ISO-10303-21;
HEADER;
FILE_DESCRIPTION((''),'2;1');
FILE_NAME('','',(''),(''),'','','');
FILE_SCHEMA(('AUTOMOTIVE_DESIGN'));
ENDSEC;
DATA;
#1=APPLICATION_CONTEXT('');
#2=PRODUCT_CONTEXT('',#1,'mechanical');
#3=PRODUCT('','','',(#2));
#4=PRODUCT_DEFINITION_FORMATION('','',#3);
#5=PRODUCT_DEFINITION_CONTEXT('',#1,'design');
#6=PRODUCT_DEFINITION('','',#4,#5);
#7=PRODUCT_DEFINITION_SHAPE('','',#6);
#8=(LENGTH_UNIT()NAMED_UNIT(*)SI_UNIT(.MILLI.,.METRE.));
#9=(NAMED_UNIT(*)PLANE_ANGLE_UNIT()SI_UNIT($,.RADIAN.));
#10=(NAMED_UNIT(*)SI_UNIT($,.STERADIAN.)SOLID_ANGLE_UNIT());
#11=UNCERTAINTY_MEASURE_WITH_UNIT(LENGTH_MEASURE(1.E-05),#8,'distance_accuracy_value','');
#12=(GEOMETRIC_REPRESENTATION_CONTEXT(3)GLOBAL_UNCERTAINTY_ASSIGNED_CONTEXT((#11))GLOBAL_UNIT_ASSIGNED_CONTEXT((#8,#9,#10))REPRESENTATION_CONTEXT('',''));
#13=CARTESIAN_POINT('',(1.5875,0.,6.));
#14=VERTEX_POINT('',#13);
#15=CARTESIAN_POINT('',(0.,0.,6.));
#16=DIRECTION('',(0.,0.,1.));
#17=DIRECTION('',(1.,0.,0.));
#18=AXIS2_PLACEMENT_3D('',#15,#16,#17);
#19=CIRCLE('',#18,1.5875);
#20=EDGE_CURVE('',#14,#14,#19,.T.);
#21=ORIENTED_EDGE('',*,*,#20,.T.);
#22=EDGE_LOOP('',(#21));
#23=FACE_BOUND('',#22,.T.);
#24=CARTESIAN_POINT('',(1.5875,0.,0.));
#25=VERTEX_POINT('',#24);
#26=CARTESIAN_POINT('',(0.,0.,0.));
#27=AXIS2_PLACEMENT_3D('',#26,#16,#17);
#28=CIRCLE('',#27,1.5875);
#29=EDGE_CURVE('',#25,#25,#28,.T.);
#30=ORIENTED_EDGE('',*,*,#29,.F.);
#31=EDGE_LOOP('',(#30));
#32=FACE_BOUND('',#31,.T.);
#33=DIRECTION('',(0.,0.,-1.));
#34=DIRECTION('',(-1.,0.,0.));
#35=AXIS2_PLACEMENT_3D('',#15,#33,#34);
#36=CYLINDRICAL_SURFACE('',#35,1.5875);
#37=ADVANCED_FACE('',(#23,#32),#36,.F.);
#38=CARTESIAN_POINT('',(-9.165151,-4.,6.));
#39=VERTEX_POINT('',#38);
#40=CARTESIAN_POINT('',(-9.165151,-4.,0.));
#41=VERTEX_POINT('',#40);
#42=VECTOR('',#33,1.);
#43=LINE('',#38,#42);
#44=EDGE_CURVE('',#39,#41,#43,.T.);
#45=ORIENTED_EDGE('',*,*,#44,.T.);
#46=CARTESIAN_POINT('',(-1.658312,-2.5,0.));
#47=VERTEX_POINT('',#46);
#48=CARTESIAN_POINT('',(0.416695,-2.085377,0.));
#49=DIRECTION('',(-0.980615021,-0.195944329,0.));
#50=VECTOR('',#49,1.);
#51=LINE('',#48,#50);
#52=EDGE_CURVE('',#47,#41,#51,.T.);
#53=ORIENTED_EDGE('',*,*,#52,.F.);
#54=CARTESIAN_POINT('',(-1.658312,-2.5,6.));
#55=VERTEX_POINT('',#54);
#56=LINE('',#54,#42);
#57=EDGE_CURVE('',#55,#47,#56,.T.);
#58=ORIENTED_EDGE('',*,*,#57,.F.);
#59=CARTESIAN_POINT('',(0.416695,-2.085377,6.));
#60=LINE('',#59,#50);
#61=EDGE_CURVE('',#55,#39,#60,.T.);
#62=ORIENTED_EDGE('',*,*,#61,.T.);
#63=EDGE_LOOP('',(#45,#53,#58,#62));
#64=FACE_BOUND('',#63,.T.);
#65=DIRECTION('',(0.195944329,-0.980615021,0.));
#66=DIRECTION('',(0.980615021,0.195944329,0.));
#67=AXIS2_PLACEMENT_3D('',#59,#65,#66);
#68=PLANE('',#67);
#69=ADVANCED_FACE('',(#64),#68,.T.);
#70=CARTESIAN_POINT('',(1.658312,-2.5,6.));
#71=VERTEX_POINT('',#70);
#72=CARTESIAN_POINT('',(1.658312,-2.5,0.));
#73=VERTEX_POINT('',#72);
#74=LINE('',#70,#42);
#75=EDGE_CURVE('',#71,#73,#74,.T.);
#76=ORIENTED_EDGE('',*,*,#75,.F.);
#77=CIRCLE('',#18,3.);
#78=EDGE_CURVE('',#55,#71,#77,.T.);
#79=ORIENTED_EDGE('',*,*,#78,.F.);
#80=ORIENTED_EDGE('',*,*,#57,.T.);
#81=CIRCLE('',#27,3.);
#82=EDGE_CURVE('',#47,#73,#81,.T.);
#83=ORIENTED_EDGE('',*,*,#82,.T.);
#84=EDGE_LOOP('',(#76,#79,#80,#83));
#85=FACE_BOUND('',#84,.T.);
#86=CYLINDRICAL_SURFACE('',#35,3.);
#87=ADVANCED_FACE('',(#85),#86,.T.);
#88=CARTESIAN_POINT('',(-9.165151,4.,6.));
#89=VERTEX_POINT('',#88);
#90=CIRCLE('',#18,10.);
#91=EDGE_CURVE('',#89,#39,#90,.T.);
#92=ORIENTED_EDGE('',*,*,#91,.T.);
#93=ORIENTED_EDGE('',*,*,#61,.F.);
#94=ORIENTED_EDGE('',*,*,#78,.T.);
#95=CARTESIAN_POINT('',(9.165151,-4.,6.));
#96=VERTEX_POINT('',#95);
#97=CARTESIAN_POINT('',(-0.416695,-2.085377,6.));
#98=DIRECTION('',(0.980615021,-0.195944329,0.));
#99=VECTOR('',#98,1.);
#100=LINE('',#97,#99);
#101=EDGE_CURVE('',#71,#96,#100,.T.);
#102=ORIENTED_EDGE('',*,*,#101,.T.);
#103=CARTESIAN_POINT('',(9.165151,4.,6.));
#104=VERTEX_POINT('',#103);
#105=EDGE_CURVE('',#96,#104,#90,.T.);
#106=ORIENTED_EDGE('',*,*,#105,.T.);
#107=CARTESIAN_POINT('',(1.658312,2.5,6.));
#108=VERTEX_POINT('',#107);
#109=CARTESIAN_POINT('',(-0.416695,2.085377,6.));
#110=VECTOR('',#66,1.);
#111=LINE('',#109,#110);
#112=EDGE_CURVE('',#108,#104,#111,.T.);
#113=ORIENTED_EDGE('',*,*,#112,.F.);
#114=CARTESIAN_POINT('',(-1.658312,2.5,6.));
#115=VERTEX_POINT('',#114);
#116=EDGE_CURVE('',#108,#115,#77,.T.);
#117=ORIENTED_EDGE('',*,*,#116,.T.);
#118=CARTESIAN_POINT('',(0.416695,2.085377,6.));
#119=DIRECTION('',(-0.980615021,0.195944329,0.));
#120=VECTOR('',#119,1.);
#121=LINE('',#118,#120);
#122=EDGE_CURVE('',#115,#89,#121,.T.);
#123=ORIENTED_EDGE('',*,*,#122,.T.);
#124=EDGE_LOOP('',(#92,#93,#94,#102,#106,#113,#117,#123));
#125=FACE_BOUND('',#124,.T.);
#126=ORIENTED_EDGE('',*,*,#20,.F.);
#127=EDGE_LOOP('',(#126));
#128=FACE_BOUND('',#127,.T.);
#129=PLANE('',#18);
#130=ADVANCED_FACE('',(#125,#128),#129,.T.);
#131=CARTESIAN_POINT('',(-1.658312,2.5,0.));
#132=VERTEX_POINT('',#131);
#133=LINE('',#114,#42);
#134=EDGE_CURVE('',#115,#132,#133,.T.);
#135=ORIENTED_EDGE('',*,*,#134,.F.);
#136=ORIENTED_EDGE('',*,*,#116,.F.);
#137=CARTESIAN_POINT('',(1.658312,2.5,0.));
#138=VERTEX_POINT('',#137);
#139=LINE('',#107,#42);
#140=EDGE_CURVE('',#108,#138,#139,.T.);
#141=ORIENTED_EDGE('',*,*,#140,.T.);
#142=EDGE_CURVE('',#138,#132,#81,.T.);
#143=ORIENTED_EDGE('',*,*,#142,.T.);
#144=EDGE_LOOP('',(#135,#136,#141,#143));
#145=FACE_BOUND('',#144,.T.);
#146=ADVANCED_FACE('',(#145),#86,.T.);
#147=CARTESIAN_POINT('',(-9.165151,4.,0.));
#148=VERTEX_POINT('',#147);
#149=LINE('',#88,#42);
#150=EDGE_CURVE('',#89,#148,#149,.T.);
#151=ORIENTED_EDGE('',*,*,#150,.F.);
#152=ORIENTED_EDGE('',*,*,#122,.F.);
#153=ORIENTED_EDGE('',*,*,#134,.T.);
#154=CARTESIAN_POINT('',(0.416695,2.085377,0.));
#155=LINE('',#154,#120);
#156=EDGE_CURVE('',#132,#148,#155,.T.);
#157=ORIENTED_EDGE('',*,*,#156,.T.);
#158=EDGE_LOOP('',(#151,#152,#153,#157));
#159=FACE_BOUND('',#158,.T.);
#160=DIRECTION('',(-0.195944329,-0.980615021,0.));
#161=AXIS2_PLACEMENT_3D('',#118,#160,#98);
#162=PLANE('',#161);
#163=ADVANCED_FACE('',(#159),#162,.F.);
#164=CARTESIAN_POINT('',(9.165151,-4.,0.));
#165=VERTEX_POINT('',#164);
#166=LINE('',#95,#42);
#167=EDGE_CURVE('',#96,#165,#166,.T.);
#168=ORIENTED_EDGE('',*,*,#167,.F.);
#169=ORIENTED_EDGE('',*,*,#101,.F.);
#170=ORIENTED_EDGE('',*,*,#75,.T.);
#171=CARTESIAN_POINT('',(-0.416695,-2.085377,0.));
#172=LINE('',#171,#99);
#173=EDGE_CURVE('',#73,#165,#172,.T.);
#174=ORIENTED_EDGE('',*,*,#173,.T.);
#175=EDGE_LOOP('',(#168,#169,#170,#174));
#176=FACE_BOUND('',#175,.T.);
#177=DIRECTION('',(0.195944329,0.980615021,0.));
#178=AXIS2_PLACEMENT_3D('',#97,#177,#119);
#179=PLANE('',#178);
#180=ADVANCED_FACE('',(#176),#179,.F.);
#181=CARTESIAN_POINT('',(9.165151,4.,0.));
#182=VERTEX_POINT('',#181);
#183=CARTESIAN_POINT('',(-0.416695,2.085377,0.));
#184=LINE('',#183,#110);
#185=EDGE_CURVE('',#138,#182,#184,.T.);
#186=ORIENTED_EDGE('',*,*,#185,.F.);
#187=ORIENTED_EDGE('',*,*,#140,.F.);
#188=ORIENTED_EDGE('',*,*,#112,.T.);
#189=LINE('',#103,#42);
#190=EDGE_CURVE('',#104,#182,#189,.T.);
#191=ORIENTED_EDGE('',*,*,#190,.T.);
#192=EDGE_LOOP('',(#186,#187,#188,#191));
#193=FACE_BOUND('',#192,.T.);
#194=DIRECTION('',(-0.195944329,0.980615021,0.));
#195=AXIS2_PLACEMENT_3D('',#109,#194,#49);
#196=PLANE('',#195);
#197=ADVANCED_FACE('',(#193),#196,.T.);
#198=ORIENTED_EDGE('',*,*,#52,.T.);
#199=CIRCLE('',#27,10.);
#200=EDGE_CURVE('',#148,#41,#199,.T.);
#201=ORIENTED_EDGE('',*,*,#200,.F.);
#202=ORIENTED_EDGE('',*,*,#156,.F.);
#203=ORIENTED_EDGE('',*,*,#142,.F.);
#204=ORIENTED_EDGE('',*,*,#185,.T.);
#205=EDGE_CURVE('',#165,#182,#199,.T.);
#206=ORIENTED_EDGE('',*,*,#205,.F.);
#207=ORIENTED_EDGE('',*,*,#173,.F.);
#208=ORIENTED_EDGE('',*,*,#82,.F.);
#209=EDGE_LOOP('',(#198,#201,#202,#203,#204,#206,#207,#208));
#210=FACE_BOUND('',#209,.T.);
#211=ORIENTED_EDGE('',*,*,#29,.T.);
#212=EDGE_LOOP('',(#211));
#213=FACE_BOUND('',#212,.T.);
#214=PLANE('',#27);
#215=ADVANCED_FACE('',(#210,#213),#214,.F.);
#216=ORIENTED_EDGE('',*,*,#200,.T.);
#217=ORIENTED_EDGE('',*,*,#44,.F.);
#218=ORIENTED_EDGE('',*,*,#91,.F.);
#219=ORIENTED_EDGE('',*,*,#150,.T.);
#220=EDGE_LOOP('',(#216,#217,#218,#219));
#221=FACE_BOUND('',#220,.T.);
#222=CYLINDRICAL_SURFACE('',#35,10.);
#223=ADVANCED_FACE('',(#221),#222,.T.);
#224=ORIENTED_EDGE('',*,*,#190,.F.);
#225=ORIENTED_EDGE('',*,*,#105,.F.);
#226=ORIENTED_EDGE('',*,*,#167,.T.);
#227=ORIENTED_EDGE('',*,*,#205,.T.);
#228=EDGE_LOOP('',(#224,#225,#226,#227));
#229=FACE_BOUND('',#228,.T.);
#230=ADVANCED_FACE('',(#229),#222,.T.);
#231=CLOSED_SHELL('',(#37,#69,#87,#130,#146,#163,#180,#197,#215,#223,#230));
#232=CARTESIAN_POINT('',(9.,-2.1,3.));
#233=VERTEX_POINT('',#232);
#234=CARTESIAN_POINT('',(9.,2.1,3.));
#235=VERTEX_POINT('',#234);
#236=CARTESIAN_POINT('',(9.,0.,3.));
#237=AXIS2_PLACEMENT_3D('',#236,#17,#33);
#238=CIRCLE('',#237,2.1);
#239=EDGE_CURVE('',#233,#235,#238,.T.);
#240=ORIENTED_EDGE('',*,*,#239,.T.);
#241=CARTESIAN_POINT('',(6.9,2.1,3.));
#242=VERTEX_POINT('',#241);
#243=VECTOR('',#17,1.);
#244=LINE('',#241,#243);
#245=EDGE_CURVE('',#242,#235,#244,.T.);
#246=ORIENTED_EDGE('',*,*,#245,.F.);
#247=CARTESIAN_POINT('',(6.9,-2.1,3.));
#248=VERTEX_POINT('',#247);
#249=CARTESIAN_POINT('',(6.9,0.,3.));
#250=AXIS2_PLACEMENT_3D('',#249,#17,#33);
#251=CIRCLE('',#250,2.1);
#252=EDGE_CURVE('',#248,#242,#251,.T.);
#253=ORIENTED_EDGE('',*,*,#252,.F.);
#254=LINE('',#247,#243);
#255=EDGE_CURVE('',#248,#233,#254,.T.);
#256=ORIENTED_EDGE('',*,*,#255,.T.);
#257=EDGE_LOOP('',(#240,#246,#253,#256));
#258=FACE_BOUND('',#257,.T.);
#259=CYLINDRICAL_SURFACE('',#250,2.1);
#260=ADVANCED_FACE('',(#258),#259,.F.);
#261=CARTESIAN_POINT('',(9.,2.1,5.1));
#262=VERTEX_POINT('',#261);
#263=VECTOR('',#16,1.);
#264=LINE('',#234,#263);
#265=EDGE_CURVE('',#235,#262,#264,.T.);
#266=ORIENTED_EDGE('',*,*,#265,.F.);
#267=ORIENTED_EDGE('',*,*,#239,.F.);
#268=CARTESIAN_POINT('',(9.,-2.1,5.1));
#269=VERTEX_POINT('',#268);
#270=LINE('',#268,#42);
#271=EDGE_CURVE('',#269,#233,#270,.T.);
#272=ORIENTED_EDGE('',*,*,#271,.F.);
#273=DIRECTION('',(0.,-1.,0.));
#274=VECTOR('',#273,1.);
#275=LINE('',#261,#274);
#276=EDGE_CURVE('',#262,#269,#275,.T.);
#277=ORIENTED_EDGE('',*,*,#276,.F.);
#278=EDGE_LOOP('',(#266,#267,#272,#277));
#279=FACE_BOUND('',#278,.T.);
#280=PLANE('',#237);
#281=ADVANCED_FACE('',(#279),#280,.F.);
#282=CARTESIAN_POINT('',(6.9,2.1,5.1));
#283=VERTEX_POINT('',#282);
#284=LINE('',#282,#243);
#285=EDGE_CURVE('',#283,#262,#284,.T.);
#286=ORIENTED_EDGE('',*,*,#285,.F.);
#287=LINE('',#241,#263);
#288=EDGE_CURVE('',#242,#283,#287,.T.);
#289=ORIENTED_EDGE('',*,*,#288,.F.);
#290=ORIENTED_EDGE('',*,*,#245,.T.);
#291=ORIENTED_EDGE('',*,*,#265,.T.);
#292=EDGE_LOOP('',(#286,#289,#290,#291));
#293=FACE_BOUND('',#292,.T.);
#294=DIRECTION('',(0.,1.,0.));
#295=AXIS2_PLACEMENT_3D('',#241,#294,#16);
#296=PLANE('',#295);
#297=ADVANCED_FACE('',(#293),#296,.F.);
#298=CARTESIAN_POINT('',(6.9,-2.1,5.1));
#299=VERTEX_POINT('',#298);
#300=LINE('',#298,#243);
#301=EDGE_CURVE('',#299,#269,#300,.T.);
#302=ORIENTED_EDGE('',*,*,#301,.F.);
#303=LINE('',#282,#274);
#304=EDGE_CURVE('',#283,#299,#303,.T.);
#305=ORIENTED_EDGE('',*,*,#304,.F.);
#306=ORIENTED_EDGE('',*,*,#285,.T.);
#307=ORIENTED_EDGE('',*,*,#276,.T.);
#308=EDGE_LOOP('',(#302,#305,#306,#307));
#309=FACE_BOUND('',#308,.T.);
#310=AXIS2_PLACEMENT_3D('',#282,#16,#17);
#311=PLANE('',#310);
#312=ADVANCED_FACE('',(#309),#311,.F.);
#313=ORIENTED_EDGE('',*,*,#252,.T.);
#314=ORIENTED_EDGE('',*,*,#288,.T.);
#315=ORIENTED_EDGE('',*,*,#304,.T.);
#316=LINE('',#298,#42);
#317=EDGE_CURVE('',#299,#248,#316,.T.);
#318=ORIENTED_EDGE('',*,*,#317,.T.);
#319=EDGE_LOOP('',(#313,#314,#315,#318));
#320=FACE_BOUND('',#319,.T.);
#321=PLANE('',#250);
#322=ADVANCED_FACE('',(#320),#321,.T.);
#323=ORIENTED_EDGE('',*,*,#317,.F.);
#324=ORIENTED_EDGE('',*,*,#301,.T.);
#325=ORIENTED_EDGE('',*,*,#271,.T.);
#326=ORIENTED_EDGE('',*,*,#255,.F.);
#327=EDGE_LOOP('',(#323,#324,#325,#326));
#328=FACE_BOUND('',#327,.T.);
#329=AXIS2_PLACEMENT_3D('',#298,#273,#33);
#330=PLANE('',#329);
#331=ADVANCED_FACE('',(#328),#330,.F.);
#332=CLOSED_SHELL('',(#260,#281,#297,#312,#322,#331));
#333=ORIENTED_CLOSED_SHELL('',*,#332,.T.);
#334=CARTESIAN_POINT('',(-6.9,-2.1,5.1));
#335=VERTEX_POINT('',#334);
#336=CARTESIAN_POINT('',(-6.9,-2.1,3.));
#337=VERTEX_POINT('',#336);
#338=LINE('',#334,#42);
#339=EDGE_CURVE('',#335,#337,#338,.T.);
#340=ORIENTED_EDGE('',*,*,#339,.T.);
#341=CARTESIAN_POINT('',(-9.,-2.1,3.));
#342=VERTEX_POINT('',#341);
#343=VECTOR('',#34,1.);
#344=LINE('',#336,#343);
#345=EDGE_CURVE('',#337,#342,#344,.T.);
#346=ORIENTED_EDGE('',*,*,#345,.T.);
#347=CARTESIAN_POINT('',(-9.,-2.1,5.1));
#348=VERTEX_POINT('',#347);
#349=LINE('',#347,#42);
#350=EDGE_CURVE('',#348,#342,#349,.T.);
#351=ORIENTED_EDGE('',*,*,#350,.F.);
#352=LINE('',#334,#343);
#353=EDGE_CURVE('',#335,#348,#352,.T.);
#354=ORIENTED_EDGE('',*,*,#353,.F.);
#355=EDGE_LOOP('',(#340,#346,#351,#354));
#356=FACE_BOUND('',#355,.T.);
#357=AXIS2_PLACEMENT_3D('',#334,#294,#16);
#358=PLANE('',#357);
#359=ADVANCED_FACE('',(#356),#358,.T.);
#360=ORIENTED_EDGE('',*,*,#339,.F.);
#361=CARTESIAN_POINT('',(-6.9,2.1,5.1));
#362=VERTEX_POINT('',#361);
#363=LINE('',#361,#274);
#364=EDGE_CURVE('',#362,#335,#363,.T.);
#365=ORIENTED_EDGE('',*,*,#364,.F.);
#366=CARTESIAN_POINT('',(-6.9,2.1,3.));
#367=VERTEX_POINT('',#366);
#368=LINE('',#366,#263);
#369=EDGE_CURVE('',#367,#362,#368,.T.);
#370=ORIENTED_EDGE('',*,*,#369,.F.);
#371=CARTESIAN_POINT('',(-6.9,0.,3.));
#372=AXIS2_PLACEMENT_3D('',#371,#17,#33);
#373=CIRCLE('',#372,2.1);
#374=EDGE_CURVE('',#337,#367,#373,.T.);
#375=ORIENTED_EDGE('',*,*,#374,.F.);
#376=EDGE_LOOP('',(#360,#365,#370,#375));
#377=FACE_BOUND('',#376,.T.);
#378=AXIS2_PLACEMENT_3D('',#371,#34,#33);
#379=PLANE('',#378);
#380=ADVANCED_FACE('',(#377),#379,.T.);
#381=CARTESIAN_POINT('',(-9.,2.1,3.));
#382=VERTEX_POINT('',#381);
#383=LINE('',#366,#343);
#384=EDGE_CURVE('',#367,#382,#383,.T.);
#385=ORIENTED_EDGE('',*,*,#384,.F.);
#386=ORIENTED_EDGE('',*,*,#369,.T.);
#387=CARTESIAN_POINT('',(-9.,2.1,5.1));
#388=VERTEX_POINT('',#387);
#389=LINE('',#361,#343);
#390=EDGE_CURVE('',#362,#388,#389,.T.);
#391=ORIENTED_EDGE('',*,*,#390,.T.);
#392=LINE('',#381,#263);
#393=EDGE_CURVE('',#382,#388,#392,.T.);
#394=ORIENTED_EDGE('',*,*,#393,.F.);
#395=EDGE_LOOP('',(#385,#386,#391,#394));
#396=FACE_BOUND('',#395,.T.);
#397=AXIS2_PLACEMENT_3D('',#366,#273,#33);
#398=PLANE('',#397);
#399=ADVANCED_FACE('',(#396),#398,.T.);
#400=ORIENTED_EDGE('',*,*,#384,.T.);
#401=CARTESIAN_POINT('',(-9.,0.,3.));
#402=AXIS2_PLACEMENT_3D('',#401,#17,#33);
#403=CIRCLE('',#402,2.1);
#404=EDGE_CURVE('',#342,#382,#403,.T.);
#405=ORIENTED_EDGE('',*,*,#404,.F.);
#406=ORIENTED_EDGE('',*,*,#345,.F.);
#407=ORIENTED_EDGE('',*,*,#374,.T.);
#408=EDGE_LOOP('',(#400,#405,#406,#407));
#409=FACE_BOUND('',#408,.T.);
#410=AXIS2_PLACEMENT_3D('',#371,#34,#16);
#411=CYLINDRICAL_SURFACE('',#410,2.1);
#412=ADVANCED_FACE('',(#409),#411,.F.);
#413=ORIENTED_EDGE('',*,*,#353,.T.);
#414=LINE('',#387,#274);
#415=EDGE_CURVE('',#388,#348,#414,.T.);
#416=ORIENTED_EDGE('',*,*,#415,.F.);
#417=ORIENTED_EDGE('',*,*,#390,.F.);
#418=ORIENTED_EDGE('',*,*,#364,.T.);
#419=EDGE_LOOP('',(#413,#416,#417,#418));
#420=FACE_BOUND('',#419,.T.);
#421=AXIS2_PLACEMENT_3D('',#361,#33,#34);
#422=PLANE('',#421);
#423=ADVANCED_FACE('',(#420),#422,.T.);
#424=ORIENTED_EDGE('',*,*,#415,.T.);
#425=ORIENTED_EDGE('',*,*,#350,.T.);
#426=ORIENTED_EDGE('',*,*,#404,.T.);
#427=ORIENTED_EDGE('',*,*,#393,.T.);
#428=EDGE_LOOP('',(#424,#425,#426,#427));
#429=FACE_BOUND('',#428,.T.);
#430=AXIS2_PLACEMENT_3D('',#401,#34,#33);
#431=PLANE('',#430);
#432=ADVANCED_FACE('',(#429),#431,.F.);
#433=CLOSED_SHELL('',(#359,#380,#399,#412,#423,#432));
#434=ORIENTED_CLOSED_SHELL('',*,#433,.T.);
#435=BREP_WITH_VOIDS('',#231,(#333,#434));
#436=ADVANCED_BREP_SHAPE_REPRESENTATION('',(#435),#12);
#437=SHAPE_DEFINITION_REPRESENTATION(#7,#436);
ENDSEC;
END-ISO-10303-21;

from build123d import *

# Parameters (mm, degrees)
SKETCH1_R           = 1.5875
BOSS_EXTRUDE1_DEPTH = 6
CUT_EXTRUDE1_START  = 9
CUT_EXTRUDE1_DEPTH  = 2.1


with BuildPart() as part:
    # Sketch1 → Boss-Extrude1 (new body)
    with BuildSketch(Plane.XY):
        with BuildLine():
            Line((-9.16515139, -4), (-1.658312395, -2.5))
            ThreePointArc((-1.658312395, -2.5), (0, -3), (1.658312395, -2.5))
            Line((1.658312395, -2.5), (9.16515139, -4))
            ThreePointArc((9.16515139, -4), (10, 0), (9.16515139, 4))
            Line((9.16515139, 4), (1.658312395, 2.5))
            ThreePointArc((1.658312395, 2.5), (0, 3), (-1.658312395, 2.5))
            Line((-1.658312395, 2.5), (-9.16515139, 4))
            ThreePointArc((-9.16515139, 4), (-10, 0), (-9.16515139, -4))
        make_face()
        Circle(SKETCH1_R, mode=Mode.SUBTRACT)
    extrude(amount=BOSS_EXTRUDE1_DEPTH)

    # Sketch2 → Cut-Extrude1 (cut)
    with BuildSketch(Plane(origin=(0, 0, 0), x_dir=(0, 0, -1), z_dir=(1, 0, 0)).offset(CUT_EXTRUDE1_START)):
        with BuildLine():
            Line((-3, 2.1), (-5.1, 2.1))
            Line((-5.1, 2.1), (-5.1, -2.1))
            Line((-5.1, -2.1), (-3, -2.1))
            ThreePointArc((-3, -2.1), (-0.9, 0), (-3, 2.1))
        make_face()
    cut_extrude1 = extrude(amount=-CUT_EXTRUDE1_DEPTH, mode=Mode.SUBTRACT)

    # Mirror1: Cut-Extrude1 across plane
    add(cut_extrude1.mirror(Plane(origin=(0, 0, 0), x_dir=(0, 0, 1), z_dir=(1, 0, 0))), mode=Mode.SUBTRACT)


solid = part.part
